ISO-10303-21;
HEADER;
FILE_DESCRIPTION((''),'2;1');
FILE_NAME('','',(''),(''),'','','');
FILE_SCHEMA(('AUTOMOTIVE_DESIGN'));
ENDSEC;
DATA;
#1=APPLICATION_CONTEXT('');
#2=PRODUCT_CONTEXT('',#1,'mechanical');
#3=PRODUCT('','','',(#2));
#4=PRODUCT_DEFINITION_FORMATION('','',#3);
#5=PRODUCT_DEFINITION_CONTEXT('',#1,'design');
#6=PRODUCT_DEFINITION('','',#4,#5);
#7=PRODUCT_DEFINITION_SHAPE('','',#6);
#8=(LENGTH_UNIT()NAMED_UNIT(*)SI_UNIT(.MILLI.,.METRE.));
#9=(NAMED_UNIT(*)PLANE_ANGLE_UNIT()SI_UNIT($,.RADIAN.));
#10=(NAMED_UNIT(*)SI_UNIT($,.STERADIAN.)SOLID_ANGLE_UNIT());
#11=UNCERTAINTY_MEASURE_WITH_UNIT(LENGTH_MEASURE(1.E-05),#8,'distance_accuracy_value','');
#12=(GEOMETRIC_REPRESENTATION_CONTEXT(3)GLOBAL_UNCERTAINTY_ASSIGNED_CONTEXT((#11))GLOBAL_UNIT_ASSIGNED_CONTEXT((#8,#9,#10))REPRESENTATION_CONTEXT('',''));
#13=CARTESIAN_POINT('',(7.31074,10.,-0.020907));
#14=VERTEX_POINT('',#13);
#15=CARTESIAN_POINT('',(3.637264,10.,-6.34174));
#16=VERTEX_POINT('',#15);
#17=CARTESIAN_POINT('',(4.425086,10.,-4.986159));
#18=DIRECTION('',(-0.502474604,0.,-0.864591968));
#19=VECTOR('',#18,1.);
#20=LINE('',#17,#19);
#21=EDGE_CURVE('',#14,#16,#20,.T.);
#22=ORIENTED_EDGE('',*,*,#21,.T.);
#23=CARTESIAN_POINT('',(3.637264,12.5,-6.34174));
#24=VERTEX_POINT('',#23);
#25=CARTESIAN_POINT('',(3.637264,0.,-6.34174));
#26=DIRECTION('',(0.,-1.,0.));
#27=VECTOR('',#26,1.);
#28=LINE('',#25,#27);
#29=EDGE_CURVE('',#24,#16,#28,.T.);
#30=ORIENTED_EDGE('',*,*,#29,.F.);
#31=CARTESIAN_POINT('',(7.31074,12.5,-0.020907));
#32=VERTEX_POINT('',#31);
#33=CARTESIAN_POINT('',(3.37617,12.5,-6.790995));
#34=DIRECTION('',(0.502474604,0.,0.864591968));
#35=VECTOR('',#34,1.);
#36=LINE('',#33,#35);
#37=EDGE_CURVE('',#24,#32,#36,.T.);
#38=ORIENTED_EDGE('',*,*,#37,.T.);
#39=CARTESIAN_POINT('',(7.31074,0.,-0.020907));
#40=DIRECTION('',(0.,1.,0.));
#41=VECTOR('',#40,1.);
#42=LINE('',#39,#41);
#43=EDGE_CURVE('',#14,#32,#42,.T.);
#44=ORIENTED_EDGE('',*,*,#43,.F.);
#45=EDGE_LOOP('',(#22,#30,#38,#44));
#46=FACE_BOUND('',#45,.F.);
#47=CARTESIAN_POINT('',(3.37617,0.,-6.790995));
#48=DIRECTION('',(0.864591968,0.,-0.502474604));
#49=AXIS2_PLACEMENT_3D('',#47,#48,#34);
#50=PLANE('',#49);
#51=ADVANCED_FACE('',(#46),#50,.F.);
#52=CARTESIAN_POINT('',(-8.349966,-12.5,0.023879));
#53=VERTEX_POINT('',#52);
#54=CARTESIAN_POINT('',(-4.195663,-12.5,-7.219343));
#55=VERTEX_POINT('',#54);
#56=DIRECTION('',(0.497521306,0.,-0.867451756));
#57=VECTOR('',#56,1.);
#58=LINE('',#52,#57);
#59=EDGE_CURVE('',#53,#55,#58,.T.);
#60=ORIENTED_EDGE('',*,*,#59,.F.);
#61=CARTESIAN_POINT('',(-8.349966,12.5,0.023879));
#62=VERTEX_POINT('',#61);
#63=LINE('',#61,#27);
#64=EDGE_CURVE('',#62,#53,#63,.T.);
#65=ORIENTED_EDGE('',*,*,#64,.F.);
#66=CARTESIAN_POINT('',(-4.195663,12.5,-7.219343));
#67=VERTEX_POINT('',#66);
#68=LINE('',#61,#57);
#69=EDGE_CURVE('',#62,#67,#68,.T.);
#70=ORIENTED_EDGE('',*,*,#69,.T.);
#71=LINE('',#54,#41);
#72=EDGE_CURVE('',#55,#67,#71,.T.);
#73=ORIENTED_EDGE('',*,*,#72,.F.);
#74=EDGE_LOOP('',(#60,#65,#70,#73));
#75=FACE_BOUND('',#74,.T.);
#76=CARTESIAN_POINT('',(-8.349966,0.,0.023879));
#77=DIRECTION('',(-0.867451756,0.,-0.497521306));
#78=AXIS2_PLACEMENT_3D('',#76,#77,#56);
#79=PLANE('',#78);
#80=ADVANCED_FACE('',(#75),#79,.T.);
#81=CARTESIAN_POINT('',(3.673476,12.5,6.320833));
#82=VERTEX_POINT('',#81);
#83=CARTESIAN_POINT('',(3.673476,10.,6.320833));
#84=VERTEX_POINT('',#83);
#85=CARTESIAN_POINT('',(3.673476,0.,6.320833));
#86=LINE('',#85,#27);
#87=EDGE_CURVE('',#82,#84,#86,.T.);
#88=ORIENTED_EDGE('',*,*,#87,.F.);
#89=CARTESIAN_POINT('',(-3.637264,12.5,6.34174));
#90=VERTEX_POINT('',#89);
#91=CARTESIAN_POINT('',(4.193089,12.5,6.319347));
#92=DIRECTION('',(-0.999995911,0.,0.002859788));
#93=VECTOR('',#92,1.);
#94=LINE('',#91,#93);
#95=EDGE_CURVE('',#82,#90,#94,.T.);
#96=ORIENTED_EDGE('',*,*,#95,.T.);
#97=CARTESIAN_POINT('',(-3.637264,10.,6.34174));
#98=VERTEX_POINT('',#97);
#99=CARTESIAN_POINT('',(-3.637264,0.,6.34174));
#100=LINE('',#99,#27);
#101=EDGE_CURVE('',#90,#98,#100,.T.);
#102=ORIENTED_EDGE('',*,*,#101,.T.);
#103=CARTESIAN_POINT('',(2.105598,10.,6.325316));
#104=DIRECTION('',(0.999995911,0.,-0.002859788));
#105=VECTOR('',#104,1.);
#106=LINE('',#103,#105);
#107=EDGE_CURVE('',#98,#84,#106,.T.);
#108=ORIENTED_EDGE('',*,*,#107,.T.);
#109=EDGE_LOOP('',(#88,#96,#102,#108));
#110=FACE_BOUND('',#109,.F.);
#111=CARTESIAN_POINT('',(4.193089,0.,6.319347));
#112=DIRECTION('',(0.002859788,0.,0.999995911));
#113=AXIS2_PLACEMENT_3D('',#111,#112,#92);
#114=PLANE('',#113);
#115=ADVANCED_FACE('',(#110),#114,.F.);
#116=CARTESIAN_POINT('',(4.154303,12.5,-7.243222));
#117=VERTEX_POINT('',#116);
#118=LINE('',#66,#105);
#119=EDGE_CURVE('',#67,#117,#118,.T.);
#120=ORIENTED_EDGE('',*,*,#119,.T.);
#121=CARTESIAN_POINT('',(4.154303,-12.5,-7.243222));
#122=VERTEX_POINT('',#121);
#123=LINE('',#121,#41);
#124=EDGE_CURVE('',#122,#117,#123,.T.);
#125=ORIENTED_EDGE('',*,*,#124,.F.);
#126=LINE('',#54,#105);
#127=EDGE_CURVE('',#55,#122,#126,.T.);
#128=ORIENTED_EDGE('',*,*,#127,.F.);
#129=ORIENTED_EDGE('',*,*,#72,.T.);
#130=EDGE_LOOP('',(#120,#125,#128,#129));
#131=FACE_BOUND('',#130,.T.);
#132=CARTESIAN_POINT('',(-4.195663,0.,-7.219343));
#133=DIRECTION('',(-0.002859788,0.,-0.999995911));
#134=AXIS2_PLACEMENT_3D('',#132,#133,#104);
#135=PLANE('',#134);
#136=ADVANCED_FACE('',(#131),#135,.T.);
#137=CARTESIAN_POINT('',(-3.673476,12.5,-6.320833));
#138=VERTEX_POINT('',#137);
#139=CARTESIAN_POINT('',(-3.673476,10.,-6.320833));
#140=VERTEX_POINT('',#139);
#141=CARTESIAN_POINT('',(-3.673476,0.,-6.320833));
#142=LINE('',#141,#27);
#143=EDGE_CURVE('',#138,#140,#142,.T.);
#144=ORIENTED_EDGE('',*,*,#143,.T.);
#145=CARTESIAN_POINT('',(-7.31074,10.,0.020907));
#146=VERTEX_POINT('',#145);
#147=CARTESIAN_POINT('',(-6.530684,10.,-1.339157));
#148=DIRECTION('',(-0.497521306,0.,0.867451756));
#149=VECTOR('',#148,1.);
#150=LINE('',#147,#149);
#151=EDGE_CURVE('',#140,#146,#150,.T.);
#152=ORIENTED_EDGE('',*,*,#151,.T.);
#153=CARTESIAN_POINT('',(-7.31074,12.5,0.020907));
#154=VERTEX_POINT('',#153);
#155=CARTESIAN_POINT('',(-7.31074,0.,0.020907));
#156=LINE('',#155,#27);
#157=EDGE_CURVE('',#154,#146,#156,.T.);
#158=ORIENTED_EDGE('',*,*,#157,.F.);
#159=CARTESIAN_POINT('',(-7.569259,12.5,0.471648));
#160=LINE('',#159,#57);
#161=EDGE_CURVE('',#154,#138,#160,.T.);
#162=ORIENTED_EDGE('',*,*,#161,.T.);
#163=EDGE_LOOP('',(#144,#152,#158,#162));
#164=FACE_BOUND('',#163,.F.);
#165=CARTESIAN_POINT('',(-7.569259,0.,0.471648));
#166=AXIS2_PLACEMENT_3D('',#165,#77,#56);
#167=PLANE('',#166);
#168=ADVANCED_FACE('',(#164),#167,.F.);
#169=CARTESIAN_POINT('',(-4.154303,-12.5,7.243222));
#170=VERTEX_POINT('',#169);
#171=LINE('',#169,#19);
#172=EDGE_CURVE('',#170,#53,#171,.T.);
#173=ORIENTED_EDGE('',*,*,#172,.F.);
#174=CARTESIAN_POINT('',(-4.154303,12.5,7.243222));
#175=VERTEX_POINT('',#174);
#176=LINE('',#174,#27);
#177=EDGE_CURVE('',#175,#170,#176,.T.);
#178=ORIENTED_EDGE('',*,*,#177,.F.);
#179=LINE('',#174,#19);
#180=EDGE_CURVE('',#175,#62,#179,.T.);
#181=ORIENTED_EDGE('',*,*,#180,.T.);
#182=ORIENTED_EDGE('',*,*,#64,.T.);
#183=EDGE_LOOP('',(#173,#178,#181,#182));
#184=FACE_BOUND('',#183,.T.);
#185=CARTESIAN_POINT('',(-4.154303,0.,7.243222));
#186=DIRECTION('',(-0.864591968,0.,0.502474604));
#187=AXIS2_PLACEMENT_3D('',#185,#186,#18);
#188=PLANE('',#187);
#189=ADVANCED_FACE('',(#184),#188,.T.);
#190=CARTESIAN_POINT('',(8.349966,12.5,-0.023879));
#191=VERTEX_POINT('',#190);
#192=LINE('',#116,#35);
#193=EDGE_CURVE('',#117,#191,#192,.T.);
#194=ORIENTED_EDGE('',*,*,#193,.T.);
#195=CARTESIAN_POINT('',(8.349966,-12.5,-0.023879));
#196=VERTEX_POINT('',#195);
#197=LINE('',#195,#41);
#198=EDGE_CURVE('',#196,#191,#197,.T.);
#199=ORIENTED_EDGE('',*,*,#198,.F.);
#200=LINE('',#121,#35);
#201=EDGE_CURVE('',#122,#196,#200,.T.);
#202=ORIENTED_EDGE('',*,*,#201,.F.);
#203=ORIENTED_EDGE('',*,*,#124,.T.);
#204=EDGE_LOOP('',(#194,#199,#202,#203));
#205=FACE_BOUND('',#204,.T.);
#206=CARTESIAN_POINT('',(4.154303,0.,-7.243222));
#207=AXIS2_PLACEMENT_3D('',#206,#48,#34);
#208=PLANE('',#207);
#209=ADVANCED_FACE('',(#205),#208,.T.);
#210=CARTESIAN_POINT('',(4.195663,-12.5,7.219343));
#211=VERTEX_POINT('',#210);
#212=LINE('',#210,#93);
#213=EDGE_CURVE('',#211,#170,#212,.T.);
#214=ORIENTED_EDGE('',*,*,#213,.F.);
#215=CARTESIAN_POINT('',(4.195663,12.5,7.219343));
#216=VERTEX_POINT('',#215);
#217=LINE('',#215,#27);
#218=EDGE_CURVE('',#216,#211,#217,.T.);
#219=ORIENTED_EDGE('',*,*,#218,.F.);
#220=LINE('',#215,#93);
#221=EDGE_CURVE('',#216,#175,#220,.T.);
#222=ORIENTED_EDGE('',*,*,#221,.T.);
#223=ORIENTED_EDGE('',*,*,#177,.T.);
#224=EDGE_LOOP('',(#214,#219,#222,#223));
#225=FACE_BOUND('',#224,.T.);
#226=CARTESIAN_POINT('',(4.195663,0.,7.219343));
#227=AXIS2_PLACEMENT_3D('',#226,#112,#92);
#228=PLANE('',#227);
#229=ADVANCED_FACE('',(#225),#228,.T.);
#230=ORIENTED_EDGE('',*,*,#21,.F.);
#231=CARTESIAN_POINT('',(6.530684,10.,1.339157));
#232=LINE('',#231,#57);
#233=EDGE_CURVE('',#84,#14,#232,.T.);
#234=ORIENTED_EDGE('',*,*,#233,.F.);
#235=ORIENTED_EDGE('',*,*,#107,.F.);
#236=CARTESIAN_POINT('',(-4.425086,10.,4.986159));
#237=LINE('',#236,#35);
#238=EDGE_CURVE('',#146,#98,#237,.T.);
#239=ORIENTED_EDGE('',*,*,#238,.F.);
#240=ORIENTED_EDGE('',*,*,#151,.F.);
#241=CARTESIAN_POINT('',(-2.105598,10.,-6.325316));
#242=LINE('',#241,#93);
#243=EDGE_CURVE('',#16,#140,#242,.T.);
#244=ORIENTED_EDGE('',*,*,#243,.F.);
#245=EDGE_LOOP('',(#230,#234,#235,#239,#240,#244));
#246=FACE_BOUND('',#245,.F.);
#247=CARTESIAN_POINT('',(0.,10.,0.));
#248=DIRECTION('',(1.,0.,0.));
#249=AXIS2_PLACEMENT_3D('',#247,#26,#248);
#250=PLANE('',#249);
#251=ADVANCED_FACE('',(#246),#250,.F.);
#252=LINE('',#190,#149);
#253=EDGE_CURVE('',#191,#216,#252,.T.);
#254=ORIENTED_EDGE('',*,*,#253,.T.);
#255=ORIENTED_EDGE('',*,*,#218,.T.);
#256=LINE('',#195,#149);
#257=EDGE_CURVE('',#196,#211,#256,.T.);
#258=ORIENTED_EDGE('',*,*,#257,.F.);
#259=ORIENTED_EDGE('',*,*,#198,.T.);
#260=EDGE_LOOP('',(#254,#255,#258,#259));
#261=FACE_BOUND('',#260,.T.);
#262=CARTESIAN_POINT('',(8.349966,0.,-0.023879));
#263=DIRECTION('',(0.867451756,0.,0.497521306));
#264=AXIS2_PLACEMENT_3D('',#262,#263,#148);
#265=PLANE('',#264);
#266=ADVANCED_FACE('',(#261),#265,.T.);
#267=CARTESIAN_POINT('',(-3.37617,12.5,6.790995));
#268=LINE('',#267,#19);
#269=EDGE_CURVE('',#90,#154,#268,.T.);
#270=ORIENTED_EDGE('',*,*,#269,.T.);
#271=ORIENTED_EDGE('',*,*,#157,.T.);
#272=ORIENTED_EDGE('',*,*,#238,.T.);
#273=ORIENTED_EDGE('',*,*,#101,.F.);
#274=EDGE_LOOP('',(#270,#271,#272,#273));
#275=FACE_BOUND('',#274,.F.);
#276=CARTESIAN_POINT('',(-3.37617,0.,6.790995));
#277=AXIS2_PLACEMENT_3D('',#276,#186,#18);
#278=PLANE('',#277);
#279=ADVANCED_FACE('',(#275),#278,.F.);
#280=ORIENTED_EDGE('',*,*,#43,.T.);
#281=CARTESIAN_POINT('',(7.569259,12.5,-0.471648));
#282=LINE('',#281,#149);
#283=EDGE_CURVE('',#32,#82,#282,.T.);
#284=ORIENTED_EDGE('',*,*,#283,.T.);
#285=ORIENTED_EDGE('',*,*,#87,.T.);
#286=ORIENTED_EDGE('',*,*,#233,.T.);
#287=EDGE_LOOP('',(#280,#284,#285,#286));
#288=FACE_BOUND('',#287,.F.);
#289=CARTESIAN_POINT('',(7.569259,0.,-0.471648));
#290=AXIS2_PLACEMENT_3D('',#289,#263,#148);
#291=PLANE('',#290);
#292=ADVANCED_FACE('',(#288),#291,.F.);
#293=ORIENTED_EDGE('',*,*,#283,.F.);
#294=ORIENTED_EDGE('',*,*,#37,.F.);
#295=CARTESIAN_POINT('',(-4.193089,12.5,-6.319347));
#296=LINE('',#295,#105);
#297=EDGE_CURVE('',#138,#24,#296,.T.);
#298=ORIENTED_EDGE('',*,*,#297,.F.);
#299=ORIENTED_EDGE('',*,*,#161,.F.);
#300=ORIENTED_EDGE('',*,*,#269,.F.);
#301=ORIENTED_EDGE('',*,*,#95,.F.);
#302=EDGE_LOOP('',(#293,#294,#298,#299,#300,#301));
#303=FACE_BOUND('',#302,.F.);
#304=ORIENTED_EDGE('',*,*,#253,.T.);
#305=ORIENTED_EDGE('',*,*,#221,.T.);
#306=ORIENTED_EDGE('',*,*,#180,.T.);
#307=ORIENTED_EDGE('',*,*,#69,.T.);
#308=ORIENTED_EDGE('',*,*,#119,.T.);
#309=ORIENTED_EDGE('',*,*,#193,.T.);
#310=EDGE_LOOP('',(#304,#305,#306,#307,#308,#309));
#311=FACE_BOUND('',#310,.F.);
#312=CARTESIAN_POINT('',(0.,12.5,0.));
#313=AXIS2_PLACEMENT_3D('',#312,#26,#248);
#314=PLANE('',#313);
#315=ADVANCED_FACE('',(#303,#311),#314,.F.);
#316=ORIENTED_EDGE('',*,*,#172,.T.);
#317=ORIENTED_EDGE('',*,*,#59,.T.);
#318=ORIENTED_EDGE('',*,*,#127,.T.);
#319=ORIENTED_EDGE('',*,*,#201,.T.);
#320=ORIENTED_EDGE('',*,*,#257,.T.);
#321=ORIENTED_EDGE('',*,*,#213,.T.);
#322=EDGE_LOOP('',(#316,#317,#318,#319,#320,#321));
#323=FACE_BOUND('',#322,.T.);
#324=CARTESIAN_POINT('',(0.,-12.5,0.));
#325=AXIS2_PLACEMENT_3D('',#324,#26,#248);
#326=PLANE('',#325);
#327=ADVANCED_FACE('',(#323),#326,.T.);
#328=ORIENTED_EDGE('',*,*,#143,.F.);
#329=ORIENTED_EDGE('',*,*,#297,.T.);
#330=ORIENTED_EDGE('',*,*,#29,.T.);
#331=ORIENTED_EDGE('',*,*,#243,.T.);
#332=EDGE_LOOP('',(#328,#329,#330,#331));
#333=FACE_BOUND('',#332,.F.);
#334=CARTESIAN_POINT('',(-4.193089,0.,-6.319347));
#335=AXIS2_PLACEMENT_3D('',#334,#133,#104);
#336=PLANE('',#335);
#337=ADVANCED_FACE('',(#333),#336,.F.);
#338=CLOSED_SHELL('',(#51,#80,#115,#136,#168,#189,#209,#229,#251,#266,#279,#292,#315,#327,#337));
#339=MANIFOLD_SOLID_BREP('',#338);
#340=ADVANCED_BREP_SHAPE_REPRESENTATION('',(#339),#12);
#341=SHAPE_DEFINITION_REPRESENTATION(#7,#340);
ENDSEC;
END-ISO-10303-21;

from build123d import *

# Parameters (mm, degrees)
F1_DEPTH = 12.5
F2_T     = -0.9
F3_DEPTH = 21.6


with BuildPart() as f1:
    # F0 (on Front) → F1 (new body, symmetric)
    with BuildSketch(Plane.XZ):
        Polygon((8.3499658552, -0.0238792301), (4.1956629474, 7.2193429363), (-4.1543029077, 7.2432221663), (-8.3499658552, 0.0238792301), (-4.1956629474, -7.2193429363), (4.1543029077, -7.2432221663), align=None)
    extrude(amount=F1_DEPTH, both=True)

    # F2
    f2_openings = [f1.faces().sort_by_distance(p)[0] for p in [
        (0, 12.5, 0),
    ]]
    offset(amount=F2_T, openings=f2_openings)

    # F3 (add): a face of the model
    f3_faces = [f1.faces().sort_by_distance(p)[0] for p in [
        (0, -11.6, 0),
    ]]
    extrude(f3_faces, amount=F3_DEPTH)


solid = f1.part
